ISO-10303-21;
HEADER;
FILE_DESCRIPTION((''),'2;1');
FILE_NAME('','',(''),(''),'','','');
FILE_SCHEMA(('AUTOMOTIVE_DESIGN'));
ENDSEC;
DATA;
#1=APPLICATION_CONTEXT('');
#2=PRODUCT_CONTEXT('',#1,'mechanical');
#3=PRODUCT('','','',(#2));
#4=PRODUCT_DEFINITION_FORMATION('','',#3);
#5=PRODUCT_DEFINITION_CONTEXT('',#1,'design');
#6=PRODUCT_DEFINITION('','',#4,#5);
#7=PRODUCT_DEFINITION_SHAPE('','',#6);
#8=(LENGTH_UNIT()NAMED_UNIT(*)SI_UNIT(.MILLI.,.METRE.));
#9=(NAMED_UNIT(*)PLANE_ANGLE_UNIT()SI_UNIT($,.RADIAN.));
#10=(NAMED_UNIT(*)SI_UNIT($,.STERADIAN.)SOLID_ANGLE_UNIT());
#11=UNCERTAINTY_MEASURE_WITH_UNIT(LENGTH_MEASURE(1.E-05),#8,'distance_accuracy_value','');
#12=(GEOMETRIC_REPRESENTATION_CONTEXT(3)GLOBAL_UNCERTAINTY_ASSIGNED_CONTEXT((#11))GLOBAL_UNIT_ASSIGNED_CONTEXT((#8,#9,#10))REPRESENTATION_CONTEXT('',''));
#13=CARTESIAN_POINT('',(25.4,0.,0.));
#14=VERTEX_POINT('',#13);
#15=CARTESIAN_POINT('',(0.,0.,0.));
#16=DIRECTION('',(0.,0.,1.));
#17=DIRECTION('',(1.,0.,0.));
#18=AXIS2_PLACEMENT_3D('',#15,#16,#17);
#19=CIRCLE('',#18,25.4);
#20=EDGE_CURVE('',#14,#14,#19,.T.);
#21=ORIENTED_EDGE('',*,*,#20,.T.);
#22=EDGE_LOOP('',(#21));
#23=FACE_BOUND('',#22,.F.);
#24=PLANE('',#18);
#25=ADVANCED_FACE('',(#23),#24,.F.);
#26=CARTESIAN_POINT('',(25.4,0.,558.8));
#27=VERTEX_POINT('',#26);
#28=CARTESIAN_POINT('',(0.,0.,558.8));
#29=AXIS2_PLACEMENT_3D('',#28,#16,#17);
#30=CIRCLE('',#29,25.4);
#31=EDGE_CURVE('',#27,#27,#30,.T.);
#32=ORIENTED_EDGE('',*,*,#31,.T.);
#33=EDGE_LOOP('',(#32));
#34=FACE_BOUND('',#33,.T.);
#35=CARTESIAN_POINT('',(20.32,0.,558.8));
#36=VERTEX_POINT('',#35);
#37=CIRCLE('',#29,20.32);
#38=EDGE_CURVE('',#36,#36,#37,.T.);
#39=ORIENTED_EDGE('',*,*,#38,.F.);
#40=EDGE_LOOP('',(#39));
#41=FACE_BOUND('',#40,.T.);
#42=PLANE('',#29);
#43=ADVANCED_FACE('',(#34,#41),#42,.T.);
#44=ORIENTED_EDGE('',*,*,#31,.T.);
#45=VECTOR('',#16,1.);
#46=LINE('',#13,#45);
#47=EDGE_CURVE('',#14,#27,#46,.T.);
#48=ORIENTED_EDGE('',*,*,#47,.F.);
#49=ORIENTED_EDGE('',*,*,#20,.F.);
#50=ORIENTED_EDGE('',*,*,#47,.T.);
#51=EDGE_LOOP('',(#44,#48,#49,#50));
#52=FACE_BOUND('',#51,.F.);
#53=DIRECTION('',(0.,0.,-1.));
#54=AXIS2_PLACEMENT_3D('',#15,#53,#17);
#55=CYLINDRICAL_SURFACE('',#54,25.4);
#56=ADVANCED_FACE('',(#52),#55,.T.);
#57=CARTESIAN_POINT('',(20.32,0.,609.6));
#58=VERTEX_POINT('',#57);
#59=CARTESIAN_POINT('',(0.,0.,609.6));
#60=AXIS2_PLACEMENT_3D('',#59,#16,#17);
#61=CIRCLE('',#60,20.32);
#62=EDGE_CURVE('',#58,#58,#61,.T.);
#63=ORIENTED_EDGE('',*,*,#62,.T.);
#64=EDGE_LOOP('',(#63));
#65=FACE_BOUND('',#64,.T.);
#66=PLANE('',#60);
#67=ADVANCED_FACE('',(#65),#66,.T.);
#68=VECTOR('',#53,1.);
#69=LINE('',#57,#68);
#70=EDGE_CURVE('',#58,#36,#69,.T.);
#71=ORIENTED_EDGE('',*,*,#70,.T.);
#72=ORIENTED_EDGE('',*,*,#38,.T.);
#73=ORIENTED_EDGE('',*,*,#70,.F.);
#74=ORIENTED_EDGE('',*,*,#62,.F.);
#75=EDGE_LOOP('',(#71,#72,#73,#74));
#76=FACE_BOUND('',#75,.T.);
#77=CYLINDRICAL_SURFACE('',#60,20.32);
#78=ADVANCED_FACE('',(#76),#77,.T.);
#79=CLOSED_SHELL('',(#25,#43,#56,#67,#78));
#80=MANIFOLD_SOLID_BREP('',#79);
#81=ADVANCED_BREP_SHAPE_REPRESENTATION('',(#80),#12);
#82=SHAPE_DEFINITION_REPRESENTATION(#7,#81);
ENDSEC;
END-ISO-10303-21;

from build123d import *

# Parameters (mm, degrees)
F0_R     = 25.4
F1_DEPTH = 609.6
F2_R     = 25.4
F2_R_2   = 20.32
F3_DEPTH = 50.8


with BuildPart() as f1:
    # F0 (on Top) → F1 (new body)
    with BuildSketch(Plane.XY):
        Circle(F0_R)
    extrude(amount=F1_DEPTH)

    # F2 (on face) → F3 (cut)
    with BuildSketch(Plane.XY.offset(609.6)):
        Circle(F2_R)
        Circle(F2_R_2, mode=Mode.SUBTRACT)
    extrude(amount=-F3_DEPTH, mode=Mode.SUBTRACT)


solid = f1.part
